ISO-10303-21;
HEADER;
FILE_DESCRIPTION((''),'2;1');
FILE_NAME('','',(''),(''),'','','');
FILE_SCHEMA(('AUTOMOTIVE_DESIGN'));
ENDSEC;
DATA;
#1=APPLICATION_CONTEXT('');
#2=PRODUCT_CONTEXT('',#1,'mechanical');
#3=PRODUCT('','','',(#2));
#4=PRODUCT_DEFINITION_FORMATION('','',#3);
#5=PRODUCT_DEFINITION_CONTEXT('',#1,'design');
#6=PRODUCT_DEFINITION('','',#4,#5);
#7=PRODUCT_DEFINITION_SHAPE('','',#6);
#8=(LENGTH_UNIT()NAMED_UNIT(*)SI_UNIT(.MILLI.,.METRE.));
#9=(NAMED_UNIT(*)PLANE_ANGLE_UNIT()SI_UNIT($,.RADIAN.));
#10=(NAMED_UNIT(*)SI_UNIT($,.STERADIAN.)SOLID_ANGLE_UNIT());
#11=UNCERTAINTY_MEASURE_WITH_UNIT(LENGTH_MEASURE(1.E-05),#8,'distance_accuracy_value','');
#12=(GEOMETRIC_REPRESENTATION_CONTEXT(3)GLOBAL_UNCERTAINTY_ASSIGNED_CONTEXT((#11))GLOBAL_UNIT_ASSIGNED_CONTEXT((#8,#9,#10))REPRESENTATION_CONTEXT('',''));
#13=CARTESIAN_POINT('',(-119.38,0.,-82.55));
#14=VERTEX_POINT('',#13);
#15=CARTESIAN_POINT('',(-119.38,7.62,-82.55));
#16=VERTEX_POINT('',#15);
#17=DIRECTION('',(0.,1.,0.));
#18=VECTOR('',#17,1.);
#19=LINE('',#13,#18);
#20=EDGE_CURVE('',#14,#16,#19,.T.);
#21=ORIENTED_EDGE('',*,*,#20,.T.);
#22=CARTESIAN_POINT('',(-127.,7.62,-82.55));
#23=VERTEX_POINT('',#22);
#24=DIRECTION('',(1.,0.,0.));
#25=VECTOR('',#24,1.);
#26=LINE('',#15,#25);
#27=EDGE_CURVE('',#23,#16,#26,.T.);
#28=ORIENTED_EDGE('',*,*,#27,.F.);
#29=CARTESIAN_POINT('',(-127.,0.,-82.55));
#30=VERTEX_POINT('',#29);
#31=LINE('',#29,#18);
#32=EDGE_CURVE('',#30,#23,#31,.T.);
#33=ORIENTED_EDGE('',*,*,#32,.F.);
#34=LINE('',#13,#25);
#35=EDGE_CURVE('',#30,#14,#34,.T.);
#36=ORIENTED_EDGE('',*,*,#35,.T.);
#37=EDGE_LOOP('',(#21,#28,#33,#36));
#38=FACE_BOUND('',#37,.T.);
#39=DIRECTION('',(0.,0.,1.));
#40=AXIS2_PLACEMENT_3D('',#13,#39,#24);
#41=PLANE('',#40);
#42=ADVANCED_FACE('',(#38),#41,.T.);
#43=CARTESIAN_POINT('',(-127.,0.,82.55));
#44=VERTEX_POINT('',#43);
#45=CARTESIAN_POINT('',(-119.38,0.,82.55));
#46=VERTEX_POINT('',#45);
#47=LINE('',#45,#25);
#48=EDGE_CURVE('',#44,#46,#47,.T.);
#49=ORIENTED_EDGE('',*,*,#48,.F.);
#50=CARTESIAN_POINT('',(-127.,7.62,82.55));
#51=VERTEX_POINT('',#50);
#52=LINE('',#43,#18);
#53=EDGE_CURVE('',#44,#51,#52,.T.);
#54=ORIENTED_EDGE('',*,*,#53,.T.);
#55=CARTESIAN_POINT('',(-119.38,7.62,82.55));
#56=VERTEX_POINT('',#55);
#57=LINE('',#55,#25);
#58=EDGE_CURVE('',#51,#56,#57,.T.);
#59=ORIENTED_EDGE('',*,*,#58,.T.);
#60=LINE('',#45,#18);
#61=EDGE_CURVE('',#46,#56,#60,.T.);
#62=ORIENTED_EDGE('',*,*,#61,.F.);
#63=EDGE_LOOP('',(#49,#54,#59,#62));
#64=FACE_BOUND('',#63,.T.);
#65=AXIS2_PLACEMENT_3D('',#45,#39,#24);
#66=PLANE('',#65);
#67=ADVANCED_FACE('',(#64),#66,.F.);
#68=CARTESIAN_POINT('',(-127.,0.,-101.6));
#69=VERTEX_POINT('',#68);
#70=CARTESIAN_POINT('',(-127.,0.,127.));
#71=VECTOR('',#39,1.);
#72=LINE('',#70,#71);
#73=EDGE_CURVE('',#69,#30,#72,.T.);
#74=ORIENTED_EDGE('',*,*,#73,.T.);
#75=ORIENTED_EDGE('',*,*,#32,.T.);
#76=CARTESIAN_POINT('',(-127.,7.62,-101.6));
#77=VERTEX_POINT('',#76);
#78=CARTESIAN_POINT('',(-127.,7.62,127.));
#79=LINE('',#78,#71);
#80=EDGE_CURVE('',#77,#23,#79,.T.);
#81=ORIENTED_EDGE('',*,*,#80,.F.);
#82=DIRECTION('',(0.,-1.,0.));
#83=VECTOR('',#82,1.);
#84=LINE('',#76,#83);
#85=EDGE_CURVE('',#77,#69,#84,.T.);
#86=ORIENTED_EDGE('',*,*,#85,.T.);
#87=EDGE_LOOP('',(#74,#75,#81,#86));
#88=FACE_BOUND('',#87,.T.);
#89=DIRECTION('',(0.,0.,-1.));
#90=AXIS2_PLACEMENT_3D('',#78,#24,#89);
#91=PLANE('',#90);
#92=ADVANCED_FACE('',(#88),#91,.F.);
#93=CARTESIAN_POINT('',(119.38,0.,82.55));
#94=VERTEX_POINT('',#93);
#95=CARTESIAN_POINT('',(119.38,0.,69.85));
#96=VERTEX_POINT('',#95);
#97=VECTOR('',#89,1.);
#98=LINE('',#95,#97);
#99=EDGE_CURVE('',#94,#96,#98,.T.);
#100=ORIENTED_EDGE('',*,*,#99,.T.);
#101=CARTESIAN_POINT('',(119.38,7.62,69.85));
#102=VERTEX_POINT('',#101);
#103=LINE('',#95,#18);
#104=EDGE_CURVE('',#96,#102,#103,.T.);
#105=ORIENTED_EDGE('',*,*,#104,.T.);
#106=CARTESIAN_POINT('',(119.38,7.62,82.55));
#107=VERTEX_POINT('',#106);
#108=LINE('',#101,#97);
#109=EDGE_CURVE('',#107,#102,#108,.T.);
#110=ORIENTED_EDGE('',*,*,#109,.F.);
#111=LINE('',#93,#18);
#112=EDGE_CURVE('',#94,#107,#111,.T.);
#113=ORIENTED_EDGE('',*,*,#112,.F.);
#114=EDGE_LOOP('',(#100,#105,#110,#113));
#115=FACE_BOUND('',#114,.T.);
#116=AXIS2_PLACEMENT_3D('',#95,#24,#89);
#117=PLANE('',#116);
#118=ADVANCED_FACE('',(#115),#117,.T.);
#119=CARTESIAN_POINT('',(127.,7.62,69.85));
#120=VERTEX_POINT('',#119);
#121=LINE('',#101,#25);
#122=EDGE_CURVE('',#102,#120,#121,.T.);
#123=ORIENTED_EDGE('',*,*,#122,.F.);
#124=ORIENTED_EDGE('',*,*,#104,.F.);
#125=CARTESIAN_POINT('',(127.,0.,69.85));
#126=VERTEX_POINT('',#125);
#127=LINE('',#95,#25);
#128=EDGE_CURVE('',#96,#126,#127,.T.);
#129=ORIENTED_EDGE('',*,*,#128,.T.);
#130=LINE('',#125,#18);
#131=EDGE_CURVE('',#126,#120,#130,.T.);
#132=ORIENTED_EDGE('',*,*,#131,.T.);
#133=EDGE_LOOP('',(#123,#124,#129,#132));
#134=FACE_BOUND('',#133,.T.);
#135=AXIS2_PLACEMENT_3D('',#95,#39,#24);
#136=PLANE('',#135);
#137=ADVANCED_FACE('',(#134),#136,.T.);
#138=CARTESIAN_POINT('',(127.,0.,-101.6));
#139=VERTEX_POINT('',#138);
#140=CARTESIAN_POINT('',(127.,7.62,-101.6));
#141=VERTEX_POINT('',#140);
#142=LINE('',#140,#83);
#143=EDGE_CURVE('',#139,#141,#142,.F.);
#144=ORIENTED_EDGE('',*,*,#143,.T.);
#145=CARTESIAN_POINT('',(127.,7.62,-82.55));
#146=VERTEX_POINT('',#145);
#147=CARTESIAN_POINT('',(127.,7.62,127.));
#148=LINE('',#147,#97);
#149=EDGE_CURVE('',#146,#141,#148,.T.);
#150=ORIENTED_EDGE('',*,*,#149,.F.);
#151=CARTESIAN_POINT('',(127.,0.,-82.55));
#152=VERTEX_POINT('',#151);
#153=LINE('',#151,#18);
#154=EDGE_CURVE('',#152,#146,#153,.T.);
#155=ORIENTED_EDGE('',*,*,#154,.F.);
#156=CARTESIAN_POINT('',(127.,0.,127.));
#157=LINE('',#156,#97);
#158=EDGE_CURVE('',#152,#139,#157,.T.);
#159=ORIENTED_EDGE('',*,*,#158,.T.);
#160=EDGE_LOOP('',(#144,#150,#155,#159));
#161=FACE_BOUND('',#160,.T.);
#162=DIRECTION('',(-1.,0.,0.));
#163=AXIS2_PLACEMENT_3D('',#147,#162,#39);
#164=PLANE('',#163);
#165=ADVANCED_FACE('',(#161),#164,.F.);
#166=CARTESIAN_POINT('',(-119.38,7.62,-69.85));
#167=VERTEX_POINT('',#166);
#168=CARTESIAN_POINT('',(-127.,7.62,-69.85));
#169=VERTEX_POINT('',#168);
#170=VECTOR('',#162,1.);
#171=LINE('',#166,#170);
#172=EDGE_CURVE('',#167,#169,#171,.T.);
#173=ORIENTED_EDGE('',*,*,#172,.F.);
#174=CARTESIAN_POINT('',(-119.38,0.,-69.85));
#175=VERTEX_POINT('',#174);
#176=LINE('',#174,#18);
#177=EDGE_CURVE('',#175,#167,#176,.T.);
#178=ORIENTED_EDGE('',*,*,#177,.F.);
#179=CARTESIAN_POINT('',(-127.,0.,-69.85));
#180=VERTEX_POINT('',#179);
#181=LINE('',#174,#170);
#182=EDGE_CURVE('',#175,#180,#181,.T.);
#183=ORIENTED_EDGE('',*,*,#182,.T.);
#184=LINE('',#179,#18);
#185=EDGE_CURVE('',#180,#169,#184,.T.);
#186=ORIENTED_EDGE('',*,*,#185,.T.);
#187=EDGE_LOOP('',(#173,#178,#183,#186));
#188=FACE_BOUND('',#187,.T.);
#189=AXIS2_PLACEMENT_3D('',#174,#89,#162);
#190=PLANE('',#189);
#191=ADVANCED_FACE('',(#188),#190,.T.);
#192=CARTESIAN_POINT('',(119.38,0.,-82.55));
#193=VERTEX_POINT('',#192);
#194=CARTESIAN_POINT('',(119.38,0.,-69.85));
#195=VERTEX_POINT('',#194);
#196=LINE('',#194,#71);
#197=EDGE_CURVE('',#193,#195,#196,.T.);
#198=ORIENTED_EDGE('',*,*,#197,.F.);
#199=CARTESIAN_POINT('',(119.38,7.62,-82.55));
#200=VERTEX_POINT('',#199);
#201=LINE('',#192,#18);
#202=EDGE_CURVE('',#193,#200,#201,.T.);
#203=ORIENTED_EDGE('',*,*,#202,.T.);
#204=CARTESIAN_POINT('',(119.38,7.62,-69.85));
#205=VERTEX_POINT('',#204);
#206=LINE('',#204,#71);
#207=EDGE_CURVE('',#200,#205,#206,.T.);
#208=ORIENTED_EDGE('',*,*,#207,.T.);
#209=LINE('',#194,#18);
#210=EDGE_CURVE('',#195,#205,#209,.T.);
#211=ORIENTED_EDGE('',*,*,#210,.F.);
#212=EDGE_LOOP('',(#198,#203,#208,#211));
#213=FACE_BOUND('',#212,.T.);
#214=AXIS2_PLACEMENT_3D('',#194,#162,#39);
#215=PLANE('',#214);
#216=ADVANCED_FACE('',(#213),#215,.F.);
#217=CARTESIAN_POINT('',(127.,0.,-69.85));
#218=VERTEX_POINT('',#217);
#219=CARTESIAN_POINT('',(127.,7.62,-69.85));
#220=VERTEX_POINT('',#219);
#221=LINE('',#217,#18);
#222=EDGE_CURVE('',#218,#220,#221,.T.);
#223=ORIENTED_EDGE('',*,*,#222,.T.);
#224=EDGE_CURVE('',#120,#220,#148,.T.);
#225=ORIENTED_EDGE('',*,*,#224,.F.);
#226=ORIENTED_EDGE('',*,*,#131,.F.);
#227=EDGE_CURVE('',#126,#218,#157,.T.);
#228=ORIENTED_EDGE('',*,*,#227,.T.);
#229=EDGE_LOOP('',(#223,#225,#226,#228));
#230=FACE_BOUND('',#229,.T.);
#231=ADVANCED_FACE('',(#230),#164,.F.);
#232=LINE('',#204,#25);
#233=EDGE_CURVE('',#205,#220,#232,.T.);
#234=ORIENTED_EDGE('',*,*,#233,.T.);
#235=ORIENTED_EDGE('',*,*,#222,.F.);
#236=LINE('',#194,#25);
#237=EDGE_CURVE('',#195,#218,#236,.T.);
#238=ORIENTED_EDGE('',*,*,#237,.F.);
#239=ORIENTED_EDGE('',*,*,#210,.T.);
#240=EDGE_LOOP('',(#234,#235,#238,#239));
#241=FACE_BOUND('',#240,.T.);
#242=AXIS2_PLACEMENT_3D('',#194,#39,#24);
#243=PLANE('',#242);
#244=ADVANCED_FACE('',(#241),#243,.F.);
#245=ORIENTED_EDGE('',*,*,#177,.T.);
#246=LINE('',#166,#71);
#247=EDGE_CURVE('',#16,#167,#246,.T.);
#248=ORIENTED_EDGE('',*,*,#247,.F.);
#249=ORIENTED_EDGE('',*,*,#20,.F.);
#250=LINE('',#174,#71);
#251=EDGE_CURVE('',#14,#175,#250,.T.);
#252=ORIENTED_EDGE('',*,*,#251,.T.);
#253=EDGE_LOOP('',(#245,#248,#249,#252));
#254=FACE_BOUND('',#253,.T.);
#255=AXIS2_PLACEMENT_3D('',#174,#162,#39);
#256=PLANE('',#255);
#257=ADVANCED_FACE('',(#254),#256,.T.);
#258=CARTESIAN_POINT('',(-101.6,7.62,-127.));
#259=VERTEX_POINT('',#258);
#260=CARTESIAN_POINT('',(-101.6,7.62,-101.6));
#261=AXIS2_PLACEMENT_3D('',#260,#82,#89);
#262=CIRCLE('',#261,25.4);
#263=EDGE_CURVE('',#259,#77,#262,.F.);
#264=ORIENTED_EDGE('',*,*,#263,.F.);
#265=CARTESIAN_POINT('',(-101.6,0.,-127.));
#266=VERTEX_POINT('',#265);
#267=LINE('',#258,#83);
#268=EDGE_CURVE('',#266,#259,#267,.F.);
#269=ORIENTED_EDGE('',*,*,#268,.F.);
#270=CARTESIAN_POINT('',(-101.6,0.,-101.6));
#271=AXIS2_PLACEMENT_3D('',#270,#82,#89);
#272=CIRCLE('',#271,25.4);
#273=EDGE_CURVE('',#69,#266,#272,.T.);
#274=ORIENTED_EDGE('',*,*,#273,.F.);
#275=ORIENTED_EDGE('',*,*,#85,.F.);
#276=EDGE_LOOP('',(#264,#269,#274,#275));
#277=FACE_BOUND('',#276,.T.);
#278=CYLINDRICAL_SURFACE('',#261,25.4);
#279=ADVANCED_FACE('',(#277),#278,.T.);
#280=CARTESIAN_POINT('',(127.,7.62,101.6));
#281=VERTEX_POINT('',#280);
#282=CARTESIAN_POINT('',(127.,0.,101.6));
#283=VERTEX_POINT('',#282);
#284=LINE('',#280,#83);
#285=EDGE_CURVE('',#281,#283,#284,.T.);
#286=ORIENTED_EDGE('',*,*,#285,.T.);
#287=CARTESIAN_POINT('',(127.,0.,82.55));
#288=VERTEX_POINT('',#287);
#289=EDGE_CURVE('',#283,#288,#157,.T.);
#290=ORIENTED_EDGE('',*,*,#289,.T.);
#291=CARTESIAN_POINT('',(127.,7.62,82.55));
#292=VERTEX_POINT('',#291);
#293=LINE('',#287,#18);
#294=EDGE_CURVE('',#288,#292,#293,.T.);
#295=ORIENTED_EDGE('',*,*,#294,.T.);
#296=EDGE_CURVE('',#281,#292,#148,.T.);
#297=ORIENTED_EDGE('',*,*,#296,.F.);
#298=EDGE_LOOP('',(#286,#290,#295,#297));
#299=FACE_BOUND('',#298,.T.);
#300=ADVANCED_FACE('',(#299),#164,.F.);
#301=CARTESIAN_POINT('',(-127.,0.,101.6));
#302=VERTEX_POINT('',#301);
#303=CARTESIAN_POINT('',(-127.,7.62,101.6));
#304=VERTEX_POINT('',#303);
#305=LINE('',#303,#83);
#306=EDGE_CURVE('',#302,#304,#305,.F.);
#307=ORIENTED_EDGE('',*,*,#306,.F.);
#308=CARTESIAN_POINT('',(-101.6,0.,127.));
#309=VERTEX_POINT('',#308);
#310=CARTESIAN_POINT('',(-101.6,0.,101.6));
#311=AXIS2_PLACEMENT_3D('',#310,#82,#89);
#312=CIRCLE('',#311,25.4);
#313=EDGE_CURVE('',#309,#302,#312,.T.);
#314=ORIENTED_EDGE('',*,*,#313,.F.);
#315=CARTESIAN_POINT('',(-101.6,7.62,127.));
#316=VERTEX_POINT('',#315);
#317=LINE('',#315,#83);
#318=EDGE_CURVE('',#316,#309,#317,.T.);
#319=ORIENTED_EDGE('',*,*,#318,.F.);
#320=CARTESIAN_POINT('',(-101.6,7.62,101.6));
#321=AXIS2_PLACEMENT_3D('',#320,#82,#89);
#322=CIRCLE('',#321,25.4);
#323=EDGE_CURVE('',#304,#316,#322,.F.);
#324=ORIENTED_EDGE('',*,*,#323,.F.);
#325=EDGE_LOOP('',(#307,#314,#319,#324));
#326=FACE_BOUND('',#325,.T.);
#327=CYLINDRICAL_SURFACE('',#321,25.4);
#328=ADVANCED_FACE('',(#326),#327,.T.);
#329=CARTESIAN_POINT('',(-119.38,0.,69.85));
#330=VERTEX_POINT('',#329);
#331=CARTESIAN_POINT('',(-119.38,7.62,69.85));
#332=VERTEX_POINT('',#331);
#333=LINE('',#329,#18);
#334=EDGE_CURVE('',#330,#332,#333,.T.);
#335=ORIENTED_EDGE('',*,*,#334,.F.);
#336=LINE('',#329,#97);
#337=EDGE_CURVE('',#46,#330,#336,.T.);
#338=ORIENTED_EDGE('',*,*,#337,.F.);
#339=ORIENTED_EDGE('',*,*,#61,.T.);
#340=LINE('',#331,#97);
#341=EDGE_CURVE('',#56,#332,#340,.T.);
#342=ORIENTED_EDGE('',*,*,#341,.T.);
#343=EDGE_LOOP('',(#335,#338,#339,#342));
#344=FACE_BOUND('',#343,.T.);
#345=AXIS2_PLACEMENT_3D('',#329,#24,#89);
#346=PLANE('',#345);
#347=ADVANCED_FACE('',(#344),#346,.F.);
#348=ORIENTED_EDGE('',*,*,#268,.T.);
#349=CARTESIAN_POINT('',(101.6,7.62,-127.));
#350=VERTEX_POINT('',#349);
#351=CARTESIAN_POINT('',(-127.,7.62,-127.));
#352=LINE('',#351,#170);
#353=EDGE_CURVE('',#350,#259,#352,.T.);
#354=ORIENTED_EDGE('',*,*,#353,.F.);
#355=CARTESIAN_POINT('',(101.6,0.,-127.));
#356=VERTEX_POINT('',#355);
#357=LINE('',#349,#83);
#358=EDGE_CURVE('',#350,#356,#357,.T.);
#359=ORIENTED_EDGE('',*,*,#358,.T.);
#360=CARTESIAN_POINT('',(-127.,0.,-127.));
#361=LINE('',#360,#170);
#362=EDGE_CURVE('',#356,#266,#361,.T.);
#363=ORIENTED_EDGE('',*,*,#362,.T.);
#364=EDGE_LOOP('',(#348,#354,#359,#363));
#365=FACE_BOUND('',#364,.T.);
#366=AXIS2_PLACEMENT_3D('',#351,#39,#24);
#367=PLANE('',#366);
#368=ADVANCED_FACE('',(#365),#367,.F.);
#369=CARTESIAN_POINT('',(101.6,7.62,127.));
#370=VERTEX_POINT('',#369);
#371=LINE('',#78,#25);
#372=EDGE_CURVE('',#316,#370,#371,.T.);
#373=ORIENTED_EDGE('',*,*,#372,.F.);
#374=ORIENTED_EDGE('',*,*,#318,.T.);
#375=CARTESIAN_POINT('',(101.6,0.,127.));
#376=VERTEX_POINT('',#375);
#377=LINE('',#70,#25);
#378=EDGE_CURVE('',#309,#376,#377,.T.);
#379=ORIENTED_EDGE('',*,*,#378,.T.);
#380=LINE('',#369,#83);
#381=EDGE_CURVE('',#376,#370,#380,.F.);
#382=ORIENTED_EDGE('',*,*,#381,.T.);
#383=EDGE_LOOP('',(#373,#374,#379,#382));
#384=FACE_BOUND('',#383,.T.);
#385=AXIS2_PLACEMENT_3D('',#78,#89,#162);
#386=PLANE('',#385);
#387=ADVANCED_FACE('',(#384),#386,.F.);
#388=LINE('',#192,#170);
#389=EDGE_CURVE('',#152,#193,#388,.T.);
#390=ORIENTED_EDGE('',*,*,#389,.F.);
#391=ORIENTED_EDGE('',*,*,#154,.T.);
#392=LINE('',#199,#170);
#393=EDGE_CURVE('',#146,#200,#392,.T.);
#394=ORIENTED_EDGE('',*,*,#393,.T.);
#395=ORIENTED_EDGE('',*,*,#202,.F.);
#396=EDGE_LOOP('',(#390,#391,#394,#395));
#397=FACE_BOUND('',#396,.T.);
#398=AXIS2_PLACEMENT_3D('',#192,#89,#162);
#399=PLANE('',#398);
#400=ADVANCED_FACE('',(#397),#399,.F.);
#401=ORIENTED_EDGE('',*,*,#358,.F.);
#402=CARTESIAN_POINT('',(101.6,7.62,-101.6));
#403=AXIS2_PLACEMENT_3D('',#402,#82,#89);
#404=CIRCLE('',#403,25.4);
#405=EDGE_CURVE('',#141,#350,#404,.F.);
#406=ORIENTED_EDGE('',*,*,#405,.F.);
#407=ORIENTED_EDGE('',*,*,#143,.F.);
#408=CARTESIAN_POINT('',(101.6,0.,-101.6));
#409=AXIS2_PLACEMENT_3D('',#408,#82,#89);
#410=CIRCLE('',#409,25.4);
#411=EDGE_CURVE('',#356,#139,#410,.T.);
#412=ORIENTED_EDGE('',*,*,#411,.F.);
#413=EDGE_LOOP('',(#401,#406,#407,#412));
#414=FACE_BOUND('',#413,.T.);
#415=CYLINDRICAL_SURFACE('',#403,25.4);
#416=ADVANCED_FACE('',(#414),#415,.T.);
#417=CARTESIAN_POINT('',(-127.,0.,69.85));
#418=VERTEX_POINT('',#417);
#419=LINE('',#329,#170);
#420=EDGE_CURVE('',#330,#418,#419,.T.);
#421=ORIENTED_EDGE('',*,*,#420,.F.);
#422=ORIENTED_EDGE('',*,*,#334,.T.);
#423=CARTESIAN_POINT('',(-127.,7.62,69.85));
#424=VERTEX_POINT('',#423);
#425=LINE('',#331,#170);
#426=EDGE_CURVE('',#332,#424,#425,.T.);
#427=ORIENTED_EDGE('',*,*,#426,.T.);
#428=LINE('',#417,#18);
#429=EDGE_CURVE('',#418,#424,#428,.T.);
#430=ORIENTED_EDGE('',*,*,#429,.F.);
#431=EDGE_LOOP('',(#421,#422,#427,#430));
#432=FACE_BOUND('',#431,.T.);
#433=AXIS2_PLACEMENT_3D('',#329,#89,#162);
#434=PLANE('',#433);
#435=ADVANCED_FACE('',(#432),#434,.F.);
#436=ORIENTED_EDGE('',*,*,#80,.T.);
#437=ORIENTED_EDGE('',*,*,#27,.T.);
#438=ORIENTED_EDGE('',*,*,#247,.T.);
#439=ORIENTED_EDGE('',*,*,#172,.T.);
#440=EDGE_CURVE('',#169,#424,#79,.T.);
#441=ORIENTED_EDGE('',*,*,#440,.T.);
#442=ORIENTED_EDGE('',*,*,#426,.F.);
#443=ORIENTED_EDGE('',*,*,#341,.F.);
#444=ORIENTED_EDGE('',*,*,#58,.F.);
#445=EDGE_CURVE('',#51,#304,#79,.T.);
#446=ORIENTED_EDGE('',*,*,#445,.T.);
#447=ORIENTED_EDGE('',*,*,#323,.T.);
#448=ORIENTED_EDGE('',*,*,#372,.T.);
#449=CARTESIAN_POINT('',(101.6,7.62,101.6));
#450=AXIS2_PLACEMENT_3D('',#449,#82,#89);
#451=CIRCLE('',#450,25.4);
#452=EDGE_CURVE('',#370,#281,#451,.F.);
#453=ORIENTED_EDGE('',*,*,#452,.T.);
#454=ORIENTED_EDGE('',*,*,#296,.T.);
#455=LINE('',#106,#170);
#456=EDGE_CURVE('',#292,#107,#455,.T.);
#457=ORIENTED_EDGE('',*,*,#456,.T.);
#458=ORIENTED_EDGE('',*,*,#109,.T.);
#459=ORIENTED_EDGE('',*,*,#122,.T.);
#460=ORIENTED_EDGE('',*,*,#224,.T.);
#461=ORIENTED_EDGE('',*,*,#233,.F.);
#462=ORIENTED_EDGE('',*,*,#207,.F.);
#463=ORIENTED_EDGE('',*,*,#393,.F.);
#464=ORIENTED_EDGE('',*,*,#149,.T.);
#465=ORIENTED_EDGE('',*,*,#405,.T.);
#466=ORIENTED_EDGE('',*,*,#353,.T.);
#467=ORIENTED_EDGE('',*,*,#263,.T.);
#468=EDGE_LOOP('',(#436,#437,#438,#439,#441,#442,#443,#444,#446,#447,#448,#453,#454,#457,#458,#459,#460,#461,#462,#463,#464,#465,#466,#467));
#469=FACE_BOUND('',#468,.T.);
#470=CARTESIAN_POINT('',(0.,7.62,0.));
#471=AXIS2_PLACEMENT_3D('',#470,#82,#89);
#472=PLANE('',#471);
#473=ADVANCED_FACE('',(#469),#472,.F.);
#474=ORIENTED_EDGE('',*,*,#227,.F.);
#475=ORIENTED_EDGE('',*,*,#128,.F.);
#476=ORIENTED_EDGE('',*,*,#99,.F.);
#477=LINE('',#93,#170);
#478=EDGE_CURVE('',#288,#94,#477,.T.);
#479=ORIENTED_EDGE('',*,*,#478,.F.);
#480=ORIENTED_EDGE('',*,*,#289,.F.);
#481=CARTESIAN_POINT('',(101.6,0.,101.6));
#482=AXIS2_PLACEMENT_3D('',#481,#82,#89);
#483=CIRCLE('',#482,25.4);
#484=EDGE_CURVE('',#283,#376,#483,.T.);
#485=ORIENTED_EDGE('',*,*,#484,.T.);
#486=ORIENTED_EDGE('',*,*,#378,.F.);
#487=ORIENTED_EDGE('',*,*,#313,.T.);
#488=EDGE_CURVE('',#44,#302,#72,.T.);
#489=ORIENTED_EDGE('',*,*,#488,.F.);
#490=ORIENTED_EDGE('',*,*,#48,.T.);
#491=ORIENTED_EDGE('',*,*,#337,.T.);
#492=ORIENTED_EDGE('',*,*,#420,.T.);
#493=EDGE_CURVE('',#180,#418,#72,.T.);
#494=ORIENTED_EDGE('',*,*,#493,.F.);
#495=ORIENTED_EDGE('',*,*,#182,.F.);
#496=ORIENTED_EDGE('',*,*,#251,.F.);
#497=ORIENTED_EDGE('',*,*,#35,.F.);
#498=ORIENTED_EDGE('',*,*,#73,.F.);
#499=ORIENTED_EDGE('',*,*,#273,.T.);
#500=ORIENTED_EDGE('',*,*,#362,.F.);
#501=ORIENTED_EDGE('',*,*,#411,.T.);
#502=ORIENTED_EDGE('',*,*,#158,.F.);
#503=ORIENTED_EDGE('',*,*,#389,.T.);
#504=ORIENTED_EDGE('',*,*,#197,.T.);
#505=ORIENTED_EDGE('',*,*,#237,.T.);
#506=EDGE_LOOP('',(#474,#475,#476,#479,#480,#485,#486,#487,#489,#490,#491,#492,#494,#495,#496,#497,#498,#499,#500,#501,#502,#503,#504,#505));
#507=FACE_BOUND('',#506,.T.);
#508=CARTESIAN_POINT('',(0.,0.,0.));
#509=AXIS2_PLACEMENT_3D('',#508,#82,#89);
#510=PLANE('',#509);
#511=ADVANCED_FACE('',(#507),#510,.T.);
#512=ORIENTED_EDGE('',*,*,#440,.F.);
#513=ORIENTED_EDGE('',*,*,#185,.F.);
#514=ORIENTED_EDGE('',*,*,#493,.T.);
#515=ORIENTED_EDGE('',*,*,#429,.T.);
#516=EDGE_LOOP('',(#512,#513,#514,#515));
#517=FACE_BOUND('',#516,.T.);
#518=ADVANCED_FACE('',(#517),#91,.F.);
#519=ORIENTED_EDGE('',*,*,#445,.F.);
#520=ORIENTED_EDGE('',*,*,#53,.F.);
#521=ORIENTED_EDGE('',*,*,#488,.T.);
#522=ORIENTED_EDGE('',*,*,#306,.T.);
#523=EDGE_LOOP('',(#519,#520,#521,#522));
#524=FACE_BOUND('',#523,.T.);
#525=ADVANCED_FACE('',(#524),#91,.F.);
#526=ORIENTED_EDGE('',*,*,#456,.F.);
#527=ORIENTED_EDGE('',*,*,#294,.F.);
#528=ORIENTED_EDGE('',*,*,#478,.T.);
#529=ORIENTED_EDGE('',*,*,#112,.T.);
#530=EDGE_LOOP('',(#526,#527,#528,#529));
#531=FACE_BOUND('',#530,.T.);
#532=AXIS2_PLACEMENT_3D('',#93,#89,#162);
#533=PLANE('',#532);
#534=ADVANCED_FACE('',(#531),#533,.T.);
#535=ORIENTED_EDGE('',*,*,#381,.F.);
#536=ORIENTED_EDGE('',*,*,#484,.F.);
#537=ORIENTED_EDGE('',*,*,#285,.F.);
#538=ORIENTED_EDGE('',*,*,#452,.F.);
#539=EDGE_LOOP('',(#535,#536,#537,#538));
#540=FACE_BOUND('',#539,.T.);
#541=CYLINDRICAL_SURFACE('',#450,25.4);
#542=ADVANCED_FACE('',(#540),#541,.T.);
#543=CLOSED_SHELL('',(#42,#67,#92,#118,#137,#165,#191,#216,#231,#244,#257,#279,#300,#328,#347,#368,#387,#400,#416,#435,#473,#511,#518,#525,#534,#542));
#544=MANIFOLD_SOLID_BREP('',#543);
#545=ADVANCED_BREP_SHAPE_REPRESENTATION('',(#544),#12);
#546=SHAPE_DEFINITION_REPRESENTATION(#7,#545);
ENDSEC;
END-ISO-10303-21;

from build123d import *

# Parameters (mm, degrees)
SKETCH1_W               = 254
SKETCH1_H               = 254
PLATFORM_BASE_DEPTH     = 7.62
CORNER_ROUNDING_R       = 25.4
SKETCH8_W               = 7.62
SKETCH8_H               = 12.7
CUT_EXTRUDE4_DEPTH      = 180.766694357
MIRROR7_COPY_1_SKETCH_W = 7.62
MIRROR7_COPY_1_SKETCH_H = 12.7
MIRROR7_COPY_1_DEPTH    = 180.766694357


with BuildPart() as part:
    # Sketch1 → Platform-Base (new body)
    with BuildSketch(Plane(origin=(0, 0, 0), x_dir=(1, 0, 0), z_dir=(0, 1, 0))):
        Rectangle(SKETCH1_W, SKETCH1_H)
    extrude(amount=PLATFORM_BASE_DEPTH)

    # Corner-Rounding
    corner_rounding_edges = [part.edges().sort_by_distance(p)[0] for p in [
        (127, 3.81, 127),
        (-127, 3.81, 127),
        (-127, 3.81, -127),
        (127, 3.81, -127),
    ]]
    fillet(corner_rounding_edges, radius=CORNER_ROUNDING_R)

    # Sketch8 → Cut-Extrude4 (cut, through all)
    with BuildSketch(Plane(origin=(0, 7.62, 0), x_dir=(1, 0, 0), z_dir=(0, 1, 0))):
        with Locations((-123.19, -76.2)):
            Rectangle(SKETCH8_W, SKETCH8_H)
    cut_extrude4 = extrude(amount=-CUT_EXTRUDE4_DEPTH, mode=Mode.SUBTRACT)

    # Mirror6: Cut-Extrude4 across plane
    add(cut_extrude4.mirror(Plane.XY), mode=Mode.SUBTRACT)

    # Mirror7: Cut-Extrude4 across plane
    add(cut_extrude4.mirror(Plane.ZY), mode=Mode.SUBTRACT)

    # Mirror7 copy 1 sketch → Mirror7 copy 1 (cut, through all)
    with BuildSketch(Plane(origin=(0, 7.62, 0), x_dir=(-1, 0, 0), z_dir=(0, 1, 0))):
        with Locations((-123.19, -76.2)):
            Rectangle(MIRROR7_COPY_1_SKETCH_W, MIRROR7_COPY_1_SKETCH_H)
    extrude(amount=-MIRROR7_COPY_1_DEPTH, mode=Mode.SUBTRACT)


solid = part.part
